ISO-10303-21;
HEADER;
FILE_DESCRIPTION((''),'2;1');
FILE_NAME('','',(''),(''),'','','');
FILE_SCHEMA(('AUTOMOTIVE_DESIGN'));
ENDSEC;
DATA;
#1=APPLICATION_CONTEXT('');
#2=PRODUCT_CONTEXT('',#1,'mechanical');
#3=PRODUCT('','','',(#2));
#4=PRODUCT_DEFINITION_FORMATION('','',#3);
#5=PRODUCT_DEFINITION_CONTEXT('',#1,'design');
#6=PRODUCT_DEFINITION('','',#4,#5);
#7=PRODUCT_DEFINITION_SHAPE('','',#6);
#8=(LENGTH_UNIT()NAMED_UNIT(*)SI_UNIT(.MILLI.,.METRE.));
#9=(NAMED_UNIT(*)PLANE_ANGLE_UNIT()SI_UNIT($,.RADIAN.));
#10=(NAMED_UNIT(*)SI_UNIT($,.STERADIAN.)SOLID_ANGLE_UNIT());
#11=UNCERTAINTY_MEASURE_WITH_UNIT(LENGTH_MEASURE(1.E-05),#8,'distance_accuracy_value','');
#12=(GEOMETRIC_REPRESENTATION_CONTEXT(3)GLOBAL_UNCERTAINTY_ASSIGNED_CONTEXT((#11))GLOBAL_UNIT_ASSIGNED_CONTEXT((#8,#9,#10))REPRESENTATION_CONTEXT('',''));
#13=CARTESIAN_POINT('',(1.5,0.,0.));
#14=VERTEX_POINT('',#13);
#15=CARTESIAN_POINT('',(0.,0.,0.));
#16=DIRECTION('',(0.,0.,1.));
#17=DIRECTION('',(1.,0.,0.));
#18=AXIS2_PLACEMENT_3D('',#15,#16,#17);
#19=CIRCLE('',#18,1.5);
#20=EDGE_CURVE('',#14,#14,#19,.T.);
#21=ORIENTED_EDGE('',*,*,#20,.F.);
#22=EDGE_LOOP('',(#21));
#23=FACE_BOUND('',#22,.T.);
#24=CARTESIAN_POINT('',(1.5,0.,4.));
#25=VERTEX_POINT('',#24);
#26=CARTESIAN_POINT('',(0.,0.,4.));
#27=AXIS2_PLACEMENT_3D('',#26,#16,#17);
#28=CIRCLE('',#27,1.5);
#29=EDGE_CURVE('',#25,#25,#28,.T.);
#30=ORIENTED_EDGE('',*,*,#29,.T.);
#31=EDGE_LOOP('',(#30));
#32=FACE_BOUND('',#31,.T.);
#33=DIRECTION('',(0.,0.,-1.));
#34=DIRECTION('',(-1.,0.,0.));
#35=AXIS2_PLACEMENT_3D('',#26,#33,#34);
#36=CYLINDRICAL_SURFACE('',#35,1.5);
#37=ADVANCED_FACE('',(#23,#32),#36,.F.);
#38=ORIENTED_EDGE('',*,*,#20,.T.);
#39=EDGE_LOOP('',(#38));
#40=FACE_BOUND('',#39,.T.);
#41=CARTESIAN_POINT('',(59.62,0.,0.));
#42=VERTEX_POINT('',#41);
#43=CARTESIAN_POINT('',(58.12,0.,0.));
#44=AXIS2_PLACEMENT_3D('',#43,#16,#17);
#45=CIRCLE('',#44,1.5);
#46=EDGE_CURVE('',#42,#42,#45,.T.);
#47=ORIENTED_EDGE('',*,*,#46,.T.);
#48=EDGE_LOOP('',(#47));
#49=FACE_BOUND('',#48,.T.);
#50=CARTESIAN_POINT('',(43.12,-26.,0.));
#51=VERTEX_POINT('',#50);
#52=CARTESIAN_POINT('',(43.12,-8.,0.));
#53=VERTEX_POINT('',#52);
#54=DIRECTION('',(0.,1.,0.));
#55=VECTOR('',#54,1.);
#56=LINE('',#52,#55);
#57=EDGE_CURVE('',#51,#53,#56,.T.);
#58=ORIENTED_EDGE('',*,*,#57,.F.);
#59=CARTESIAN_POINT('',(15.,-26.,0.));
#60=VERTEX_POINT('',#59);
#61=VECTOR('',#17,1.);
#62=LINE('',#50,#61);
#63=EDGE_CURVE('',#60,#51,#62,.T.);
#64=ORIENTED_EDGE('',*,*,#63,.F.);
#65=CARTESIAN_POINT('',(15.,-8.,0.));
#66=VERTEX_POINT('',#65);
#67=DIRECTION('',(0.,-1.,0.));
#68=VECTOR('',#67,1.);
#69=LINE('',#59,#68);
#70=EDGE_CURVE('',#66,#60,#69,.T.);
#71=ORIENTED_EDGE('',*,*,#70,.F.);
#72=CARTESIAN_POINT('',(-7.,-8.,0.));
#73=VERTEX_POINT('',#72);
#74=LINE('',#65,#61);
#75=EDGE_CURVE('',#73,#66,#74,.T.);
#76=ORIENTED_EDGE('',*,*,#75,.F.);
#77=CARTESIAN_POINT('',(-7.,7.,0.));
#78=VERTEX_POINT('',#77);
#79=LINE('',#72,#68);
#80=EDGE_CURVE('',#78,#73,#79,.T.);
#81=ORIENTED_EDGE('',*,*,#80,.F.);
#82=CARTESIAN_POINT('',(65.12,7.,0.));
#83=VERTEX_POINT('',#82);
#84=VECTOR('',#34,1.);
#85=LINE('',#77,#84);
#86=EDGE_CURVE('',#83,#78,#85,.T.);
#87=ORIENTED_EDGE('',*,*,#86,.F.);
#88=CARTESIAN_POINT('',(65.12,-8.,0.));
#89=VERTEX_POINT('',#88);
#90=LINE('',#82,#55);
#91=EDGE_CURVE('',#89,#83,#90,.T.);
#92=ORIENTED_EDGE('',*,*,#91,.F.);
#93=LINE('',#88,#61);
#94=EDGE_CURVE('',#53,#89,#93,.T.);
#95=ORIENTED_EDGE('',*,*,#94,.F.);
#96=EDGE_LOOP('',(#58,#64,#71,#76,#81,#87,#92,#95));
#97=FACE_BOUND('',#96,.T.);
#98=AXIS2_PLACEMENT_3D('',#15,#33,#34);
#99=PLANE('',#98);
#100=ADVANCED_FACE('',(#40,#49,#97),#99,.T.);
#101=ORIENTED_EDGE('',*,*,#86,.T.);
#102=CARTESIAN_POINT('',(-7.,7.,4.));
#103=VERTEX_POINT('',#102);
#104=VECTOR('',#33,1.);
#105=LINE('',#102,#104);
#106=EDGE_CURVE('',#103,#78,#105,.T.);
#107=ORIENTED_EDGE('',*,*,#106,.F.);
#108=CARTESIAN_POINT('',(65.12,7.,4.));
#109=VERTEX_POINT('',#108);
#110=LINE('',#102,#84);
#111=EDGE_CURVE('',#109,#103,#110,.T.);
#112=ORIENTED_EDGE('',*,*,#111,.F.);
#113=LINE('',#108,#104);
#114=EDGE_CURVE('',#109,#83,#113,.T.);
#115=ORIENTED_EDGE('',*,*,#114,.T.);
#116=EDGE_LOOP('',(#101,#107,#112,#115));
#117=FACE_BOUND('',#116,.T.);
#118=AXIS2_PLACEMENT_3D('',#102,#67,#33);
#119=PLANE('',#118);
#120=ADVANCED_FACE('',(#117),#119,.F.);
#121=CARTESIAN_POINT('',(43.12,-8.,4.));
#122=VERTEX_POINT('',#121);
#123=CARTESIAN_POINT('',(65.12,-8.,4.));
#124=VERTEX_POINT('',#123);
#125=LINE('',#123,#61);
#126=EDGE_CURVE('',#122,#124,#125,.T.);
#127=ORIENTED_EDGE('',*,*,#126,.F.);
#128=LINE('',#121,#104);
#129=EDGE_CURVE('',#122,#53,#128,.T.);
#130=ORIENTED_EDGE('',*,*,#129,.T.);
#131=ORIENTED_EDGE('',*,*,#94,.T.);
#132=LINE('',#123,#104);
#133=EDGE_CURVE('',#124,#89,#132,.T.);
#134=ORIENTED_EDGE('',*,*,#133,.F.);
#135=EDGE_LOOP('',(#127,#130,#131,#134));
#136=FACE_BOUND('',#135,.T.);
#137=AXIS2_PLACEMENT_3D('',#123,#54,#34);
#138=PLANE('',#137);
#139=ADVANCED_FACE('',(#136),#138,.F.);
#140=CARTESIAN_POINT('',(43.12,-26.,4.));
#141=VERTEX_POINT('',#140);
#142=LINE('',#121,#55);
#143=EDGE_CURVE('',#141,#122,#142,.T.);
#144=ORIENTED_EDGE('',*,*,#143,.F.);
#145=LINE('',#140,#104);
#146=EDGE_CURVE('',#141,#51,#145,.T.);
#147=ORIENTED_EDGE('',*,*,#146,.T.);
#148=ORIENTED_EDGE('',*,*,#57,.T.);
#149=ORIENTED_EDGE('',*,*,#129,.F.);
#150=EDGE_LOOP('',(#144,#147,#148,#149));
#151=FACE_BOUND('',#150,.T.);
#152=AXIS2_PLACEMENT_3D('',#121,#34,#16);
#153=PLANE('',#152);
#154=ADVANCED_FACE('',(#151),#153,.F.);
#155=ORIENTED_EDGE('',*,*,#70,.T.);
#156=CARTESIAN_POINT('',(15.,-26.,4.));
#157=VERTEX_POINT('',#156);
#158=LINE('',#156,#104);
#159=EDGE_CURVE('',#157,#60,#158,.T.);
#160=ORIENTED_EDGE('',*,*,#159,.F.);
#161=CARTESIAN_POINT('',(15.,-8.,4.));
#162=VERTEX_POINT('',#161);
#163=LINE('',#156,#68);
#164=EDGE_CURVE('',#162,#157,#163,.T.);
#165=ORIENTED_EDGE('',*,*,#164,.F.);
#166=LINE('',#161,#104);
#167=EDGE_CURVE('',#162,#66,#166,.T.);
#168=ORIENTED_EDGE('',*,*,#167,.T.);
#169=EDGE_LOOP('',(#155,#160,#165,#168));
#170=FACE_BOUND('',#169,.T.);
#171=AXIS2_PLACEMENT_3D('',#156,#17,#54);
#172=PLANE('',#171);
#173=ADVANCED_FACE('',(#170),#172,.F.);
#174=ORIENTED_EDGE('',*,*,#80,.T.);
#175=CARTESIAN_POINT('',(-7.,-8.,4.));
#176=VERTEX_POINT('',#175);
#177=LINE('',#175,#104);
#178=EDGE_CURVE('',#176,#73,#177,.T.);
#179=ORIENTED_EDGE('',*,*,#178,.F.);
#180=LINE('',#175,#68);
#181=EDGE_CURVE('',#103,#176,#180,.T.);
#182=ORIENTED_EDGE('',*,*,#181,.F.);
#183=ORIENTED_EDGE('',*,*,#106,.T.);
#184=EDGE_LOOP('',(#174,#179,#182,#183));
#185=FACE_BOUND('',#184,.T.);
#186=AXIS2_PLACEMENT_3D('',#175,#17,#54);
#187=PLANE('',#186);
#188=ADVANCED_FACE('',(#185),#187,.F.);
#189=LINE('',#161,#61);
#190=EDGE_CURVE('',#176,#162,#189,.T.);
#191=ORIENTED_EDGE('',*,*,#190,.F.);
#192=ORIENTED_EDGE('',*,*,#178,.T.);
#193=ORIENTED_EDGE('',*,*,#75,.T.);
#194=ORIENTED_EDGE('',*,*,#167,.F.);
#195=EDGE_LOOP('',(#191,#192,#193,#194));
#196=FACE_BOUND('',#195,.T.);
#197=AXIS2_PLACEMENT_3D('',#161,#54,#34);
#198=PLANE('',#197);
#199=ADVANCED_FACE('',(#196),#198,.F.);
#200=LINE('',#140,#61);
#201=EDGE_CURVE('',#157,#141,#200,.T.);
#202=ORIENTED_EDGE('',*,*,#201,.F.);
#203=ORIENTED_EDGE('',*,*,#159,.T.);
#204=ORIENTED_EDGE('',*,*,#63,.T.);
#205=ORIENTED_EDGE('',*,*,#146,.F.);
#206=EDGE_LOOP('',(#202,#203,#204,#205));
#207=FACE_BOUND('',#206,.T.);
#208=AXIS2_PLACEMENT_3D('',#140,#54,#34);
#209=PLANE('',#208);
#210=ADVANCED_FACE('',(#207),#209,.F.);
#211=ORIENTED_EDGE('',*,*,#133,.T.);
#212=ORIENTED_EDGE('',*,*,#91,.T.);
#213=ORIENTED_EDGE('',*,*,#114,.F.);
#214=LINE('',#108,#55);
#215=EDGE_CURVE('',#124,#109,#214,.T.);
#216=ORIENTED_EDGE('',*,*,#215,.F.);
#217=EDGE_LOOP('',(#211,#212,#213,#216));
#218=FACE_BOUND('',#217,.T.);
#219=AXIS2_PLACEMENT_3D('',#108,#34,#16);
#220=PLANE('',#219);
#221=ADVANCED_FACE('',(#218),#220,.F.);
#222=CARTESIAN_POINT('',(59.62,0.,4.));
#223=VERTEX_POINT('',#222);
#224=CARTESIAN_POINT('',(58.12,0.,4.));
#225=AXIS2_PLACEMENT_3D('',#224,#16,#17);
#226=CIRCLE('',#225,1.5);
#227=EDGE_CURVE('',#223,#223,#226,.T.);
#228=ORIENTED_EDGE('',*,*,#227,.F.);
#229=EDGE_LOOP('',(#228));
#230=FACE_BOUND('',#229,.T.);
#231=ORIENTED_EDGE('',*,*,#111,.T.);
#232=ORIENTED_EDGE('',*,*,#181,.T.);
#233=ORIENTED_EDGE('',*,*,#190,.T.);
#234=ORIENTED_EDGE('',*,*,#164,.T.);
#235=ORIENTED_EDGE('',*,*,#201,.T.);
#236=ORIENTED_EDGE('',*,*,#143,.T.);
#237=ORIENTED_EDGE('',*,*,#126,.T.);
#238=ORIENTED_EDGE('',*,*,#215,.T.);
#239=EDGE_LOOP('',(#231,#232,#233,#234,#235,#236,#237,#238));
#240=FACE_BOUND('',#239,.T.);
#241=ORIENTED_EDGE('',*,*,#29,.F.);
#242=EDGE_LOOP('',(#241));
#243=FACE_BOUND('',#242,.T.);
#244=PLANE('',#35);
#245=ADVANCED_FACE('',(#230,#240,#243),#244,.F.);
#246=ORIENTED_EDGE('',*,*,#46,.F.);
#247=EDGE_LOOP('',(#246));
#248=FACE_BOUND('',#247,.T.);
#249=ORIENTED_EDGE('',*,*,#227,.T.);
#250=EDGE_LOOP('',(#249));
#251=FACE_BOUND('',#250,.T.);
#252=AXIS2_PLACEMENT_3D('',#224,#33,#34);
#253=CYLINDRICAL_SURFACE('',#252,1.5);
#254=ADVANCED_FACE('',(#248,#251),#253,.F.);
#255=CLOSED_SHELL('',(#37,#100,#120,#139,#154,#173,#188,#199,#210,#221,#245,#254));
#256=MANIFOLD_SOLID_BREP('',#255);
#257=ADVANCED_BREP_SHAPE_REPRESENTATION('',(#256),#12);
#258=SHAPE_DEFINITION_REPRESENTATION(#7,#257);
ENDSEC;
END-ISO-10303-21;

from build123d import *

# Parameters (mm, degrees)
SKETCH_1_R      = 1.5
EXTRUDE_1_DEPTH = 4


with BuildPart() as part:
    # 草图1 → 凸台-拉伸1 (new body)
    with BuildSketch(Plane.XY):
        Polygon((-7, 7), (65.12, 7), (65.12, -8), (43.12, -8), (43.12, -26), (15, -26), (15, -8), (-7, -8), align=None)
        Circle(SKETCH_1_R, mode=Mode.SUBTRACT)
        with Locations((58.12, 0)):
            Circle(SKETCH_1_R, mode=Mode.SUBTRACT)
    extrude(amount=EXTRUDE_1_DEPTH)


solid = part.part
